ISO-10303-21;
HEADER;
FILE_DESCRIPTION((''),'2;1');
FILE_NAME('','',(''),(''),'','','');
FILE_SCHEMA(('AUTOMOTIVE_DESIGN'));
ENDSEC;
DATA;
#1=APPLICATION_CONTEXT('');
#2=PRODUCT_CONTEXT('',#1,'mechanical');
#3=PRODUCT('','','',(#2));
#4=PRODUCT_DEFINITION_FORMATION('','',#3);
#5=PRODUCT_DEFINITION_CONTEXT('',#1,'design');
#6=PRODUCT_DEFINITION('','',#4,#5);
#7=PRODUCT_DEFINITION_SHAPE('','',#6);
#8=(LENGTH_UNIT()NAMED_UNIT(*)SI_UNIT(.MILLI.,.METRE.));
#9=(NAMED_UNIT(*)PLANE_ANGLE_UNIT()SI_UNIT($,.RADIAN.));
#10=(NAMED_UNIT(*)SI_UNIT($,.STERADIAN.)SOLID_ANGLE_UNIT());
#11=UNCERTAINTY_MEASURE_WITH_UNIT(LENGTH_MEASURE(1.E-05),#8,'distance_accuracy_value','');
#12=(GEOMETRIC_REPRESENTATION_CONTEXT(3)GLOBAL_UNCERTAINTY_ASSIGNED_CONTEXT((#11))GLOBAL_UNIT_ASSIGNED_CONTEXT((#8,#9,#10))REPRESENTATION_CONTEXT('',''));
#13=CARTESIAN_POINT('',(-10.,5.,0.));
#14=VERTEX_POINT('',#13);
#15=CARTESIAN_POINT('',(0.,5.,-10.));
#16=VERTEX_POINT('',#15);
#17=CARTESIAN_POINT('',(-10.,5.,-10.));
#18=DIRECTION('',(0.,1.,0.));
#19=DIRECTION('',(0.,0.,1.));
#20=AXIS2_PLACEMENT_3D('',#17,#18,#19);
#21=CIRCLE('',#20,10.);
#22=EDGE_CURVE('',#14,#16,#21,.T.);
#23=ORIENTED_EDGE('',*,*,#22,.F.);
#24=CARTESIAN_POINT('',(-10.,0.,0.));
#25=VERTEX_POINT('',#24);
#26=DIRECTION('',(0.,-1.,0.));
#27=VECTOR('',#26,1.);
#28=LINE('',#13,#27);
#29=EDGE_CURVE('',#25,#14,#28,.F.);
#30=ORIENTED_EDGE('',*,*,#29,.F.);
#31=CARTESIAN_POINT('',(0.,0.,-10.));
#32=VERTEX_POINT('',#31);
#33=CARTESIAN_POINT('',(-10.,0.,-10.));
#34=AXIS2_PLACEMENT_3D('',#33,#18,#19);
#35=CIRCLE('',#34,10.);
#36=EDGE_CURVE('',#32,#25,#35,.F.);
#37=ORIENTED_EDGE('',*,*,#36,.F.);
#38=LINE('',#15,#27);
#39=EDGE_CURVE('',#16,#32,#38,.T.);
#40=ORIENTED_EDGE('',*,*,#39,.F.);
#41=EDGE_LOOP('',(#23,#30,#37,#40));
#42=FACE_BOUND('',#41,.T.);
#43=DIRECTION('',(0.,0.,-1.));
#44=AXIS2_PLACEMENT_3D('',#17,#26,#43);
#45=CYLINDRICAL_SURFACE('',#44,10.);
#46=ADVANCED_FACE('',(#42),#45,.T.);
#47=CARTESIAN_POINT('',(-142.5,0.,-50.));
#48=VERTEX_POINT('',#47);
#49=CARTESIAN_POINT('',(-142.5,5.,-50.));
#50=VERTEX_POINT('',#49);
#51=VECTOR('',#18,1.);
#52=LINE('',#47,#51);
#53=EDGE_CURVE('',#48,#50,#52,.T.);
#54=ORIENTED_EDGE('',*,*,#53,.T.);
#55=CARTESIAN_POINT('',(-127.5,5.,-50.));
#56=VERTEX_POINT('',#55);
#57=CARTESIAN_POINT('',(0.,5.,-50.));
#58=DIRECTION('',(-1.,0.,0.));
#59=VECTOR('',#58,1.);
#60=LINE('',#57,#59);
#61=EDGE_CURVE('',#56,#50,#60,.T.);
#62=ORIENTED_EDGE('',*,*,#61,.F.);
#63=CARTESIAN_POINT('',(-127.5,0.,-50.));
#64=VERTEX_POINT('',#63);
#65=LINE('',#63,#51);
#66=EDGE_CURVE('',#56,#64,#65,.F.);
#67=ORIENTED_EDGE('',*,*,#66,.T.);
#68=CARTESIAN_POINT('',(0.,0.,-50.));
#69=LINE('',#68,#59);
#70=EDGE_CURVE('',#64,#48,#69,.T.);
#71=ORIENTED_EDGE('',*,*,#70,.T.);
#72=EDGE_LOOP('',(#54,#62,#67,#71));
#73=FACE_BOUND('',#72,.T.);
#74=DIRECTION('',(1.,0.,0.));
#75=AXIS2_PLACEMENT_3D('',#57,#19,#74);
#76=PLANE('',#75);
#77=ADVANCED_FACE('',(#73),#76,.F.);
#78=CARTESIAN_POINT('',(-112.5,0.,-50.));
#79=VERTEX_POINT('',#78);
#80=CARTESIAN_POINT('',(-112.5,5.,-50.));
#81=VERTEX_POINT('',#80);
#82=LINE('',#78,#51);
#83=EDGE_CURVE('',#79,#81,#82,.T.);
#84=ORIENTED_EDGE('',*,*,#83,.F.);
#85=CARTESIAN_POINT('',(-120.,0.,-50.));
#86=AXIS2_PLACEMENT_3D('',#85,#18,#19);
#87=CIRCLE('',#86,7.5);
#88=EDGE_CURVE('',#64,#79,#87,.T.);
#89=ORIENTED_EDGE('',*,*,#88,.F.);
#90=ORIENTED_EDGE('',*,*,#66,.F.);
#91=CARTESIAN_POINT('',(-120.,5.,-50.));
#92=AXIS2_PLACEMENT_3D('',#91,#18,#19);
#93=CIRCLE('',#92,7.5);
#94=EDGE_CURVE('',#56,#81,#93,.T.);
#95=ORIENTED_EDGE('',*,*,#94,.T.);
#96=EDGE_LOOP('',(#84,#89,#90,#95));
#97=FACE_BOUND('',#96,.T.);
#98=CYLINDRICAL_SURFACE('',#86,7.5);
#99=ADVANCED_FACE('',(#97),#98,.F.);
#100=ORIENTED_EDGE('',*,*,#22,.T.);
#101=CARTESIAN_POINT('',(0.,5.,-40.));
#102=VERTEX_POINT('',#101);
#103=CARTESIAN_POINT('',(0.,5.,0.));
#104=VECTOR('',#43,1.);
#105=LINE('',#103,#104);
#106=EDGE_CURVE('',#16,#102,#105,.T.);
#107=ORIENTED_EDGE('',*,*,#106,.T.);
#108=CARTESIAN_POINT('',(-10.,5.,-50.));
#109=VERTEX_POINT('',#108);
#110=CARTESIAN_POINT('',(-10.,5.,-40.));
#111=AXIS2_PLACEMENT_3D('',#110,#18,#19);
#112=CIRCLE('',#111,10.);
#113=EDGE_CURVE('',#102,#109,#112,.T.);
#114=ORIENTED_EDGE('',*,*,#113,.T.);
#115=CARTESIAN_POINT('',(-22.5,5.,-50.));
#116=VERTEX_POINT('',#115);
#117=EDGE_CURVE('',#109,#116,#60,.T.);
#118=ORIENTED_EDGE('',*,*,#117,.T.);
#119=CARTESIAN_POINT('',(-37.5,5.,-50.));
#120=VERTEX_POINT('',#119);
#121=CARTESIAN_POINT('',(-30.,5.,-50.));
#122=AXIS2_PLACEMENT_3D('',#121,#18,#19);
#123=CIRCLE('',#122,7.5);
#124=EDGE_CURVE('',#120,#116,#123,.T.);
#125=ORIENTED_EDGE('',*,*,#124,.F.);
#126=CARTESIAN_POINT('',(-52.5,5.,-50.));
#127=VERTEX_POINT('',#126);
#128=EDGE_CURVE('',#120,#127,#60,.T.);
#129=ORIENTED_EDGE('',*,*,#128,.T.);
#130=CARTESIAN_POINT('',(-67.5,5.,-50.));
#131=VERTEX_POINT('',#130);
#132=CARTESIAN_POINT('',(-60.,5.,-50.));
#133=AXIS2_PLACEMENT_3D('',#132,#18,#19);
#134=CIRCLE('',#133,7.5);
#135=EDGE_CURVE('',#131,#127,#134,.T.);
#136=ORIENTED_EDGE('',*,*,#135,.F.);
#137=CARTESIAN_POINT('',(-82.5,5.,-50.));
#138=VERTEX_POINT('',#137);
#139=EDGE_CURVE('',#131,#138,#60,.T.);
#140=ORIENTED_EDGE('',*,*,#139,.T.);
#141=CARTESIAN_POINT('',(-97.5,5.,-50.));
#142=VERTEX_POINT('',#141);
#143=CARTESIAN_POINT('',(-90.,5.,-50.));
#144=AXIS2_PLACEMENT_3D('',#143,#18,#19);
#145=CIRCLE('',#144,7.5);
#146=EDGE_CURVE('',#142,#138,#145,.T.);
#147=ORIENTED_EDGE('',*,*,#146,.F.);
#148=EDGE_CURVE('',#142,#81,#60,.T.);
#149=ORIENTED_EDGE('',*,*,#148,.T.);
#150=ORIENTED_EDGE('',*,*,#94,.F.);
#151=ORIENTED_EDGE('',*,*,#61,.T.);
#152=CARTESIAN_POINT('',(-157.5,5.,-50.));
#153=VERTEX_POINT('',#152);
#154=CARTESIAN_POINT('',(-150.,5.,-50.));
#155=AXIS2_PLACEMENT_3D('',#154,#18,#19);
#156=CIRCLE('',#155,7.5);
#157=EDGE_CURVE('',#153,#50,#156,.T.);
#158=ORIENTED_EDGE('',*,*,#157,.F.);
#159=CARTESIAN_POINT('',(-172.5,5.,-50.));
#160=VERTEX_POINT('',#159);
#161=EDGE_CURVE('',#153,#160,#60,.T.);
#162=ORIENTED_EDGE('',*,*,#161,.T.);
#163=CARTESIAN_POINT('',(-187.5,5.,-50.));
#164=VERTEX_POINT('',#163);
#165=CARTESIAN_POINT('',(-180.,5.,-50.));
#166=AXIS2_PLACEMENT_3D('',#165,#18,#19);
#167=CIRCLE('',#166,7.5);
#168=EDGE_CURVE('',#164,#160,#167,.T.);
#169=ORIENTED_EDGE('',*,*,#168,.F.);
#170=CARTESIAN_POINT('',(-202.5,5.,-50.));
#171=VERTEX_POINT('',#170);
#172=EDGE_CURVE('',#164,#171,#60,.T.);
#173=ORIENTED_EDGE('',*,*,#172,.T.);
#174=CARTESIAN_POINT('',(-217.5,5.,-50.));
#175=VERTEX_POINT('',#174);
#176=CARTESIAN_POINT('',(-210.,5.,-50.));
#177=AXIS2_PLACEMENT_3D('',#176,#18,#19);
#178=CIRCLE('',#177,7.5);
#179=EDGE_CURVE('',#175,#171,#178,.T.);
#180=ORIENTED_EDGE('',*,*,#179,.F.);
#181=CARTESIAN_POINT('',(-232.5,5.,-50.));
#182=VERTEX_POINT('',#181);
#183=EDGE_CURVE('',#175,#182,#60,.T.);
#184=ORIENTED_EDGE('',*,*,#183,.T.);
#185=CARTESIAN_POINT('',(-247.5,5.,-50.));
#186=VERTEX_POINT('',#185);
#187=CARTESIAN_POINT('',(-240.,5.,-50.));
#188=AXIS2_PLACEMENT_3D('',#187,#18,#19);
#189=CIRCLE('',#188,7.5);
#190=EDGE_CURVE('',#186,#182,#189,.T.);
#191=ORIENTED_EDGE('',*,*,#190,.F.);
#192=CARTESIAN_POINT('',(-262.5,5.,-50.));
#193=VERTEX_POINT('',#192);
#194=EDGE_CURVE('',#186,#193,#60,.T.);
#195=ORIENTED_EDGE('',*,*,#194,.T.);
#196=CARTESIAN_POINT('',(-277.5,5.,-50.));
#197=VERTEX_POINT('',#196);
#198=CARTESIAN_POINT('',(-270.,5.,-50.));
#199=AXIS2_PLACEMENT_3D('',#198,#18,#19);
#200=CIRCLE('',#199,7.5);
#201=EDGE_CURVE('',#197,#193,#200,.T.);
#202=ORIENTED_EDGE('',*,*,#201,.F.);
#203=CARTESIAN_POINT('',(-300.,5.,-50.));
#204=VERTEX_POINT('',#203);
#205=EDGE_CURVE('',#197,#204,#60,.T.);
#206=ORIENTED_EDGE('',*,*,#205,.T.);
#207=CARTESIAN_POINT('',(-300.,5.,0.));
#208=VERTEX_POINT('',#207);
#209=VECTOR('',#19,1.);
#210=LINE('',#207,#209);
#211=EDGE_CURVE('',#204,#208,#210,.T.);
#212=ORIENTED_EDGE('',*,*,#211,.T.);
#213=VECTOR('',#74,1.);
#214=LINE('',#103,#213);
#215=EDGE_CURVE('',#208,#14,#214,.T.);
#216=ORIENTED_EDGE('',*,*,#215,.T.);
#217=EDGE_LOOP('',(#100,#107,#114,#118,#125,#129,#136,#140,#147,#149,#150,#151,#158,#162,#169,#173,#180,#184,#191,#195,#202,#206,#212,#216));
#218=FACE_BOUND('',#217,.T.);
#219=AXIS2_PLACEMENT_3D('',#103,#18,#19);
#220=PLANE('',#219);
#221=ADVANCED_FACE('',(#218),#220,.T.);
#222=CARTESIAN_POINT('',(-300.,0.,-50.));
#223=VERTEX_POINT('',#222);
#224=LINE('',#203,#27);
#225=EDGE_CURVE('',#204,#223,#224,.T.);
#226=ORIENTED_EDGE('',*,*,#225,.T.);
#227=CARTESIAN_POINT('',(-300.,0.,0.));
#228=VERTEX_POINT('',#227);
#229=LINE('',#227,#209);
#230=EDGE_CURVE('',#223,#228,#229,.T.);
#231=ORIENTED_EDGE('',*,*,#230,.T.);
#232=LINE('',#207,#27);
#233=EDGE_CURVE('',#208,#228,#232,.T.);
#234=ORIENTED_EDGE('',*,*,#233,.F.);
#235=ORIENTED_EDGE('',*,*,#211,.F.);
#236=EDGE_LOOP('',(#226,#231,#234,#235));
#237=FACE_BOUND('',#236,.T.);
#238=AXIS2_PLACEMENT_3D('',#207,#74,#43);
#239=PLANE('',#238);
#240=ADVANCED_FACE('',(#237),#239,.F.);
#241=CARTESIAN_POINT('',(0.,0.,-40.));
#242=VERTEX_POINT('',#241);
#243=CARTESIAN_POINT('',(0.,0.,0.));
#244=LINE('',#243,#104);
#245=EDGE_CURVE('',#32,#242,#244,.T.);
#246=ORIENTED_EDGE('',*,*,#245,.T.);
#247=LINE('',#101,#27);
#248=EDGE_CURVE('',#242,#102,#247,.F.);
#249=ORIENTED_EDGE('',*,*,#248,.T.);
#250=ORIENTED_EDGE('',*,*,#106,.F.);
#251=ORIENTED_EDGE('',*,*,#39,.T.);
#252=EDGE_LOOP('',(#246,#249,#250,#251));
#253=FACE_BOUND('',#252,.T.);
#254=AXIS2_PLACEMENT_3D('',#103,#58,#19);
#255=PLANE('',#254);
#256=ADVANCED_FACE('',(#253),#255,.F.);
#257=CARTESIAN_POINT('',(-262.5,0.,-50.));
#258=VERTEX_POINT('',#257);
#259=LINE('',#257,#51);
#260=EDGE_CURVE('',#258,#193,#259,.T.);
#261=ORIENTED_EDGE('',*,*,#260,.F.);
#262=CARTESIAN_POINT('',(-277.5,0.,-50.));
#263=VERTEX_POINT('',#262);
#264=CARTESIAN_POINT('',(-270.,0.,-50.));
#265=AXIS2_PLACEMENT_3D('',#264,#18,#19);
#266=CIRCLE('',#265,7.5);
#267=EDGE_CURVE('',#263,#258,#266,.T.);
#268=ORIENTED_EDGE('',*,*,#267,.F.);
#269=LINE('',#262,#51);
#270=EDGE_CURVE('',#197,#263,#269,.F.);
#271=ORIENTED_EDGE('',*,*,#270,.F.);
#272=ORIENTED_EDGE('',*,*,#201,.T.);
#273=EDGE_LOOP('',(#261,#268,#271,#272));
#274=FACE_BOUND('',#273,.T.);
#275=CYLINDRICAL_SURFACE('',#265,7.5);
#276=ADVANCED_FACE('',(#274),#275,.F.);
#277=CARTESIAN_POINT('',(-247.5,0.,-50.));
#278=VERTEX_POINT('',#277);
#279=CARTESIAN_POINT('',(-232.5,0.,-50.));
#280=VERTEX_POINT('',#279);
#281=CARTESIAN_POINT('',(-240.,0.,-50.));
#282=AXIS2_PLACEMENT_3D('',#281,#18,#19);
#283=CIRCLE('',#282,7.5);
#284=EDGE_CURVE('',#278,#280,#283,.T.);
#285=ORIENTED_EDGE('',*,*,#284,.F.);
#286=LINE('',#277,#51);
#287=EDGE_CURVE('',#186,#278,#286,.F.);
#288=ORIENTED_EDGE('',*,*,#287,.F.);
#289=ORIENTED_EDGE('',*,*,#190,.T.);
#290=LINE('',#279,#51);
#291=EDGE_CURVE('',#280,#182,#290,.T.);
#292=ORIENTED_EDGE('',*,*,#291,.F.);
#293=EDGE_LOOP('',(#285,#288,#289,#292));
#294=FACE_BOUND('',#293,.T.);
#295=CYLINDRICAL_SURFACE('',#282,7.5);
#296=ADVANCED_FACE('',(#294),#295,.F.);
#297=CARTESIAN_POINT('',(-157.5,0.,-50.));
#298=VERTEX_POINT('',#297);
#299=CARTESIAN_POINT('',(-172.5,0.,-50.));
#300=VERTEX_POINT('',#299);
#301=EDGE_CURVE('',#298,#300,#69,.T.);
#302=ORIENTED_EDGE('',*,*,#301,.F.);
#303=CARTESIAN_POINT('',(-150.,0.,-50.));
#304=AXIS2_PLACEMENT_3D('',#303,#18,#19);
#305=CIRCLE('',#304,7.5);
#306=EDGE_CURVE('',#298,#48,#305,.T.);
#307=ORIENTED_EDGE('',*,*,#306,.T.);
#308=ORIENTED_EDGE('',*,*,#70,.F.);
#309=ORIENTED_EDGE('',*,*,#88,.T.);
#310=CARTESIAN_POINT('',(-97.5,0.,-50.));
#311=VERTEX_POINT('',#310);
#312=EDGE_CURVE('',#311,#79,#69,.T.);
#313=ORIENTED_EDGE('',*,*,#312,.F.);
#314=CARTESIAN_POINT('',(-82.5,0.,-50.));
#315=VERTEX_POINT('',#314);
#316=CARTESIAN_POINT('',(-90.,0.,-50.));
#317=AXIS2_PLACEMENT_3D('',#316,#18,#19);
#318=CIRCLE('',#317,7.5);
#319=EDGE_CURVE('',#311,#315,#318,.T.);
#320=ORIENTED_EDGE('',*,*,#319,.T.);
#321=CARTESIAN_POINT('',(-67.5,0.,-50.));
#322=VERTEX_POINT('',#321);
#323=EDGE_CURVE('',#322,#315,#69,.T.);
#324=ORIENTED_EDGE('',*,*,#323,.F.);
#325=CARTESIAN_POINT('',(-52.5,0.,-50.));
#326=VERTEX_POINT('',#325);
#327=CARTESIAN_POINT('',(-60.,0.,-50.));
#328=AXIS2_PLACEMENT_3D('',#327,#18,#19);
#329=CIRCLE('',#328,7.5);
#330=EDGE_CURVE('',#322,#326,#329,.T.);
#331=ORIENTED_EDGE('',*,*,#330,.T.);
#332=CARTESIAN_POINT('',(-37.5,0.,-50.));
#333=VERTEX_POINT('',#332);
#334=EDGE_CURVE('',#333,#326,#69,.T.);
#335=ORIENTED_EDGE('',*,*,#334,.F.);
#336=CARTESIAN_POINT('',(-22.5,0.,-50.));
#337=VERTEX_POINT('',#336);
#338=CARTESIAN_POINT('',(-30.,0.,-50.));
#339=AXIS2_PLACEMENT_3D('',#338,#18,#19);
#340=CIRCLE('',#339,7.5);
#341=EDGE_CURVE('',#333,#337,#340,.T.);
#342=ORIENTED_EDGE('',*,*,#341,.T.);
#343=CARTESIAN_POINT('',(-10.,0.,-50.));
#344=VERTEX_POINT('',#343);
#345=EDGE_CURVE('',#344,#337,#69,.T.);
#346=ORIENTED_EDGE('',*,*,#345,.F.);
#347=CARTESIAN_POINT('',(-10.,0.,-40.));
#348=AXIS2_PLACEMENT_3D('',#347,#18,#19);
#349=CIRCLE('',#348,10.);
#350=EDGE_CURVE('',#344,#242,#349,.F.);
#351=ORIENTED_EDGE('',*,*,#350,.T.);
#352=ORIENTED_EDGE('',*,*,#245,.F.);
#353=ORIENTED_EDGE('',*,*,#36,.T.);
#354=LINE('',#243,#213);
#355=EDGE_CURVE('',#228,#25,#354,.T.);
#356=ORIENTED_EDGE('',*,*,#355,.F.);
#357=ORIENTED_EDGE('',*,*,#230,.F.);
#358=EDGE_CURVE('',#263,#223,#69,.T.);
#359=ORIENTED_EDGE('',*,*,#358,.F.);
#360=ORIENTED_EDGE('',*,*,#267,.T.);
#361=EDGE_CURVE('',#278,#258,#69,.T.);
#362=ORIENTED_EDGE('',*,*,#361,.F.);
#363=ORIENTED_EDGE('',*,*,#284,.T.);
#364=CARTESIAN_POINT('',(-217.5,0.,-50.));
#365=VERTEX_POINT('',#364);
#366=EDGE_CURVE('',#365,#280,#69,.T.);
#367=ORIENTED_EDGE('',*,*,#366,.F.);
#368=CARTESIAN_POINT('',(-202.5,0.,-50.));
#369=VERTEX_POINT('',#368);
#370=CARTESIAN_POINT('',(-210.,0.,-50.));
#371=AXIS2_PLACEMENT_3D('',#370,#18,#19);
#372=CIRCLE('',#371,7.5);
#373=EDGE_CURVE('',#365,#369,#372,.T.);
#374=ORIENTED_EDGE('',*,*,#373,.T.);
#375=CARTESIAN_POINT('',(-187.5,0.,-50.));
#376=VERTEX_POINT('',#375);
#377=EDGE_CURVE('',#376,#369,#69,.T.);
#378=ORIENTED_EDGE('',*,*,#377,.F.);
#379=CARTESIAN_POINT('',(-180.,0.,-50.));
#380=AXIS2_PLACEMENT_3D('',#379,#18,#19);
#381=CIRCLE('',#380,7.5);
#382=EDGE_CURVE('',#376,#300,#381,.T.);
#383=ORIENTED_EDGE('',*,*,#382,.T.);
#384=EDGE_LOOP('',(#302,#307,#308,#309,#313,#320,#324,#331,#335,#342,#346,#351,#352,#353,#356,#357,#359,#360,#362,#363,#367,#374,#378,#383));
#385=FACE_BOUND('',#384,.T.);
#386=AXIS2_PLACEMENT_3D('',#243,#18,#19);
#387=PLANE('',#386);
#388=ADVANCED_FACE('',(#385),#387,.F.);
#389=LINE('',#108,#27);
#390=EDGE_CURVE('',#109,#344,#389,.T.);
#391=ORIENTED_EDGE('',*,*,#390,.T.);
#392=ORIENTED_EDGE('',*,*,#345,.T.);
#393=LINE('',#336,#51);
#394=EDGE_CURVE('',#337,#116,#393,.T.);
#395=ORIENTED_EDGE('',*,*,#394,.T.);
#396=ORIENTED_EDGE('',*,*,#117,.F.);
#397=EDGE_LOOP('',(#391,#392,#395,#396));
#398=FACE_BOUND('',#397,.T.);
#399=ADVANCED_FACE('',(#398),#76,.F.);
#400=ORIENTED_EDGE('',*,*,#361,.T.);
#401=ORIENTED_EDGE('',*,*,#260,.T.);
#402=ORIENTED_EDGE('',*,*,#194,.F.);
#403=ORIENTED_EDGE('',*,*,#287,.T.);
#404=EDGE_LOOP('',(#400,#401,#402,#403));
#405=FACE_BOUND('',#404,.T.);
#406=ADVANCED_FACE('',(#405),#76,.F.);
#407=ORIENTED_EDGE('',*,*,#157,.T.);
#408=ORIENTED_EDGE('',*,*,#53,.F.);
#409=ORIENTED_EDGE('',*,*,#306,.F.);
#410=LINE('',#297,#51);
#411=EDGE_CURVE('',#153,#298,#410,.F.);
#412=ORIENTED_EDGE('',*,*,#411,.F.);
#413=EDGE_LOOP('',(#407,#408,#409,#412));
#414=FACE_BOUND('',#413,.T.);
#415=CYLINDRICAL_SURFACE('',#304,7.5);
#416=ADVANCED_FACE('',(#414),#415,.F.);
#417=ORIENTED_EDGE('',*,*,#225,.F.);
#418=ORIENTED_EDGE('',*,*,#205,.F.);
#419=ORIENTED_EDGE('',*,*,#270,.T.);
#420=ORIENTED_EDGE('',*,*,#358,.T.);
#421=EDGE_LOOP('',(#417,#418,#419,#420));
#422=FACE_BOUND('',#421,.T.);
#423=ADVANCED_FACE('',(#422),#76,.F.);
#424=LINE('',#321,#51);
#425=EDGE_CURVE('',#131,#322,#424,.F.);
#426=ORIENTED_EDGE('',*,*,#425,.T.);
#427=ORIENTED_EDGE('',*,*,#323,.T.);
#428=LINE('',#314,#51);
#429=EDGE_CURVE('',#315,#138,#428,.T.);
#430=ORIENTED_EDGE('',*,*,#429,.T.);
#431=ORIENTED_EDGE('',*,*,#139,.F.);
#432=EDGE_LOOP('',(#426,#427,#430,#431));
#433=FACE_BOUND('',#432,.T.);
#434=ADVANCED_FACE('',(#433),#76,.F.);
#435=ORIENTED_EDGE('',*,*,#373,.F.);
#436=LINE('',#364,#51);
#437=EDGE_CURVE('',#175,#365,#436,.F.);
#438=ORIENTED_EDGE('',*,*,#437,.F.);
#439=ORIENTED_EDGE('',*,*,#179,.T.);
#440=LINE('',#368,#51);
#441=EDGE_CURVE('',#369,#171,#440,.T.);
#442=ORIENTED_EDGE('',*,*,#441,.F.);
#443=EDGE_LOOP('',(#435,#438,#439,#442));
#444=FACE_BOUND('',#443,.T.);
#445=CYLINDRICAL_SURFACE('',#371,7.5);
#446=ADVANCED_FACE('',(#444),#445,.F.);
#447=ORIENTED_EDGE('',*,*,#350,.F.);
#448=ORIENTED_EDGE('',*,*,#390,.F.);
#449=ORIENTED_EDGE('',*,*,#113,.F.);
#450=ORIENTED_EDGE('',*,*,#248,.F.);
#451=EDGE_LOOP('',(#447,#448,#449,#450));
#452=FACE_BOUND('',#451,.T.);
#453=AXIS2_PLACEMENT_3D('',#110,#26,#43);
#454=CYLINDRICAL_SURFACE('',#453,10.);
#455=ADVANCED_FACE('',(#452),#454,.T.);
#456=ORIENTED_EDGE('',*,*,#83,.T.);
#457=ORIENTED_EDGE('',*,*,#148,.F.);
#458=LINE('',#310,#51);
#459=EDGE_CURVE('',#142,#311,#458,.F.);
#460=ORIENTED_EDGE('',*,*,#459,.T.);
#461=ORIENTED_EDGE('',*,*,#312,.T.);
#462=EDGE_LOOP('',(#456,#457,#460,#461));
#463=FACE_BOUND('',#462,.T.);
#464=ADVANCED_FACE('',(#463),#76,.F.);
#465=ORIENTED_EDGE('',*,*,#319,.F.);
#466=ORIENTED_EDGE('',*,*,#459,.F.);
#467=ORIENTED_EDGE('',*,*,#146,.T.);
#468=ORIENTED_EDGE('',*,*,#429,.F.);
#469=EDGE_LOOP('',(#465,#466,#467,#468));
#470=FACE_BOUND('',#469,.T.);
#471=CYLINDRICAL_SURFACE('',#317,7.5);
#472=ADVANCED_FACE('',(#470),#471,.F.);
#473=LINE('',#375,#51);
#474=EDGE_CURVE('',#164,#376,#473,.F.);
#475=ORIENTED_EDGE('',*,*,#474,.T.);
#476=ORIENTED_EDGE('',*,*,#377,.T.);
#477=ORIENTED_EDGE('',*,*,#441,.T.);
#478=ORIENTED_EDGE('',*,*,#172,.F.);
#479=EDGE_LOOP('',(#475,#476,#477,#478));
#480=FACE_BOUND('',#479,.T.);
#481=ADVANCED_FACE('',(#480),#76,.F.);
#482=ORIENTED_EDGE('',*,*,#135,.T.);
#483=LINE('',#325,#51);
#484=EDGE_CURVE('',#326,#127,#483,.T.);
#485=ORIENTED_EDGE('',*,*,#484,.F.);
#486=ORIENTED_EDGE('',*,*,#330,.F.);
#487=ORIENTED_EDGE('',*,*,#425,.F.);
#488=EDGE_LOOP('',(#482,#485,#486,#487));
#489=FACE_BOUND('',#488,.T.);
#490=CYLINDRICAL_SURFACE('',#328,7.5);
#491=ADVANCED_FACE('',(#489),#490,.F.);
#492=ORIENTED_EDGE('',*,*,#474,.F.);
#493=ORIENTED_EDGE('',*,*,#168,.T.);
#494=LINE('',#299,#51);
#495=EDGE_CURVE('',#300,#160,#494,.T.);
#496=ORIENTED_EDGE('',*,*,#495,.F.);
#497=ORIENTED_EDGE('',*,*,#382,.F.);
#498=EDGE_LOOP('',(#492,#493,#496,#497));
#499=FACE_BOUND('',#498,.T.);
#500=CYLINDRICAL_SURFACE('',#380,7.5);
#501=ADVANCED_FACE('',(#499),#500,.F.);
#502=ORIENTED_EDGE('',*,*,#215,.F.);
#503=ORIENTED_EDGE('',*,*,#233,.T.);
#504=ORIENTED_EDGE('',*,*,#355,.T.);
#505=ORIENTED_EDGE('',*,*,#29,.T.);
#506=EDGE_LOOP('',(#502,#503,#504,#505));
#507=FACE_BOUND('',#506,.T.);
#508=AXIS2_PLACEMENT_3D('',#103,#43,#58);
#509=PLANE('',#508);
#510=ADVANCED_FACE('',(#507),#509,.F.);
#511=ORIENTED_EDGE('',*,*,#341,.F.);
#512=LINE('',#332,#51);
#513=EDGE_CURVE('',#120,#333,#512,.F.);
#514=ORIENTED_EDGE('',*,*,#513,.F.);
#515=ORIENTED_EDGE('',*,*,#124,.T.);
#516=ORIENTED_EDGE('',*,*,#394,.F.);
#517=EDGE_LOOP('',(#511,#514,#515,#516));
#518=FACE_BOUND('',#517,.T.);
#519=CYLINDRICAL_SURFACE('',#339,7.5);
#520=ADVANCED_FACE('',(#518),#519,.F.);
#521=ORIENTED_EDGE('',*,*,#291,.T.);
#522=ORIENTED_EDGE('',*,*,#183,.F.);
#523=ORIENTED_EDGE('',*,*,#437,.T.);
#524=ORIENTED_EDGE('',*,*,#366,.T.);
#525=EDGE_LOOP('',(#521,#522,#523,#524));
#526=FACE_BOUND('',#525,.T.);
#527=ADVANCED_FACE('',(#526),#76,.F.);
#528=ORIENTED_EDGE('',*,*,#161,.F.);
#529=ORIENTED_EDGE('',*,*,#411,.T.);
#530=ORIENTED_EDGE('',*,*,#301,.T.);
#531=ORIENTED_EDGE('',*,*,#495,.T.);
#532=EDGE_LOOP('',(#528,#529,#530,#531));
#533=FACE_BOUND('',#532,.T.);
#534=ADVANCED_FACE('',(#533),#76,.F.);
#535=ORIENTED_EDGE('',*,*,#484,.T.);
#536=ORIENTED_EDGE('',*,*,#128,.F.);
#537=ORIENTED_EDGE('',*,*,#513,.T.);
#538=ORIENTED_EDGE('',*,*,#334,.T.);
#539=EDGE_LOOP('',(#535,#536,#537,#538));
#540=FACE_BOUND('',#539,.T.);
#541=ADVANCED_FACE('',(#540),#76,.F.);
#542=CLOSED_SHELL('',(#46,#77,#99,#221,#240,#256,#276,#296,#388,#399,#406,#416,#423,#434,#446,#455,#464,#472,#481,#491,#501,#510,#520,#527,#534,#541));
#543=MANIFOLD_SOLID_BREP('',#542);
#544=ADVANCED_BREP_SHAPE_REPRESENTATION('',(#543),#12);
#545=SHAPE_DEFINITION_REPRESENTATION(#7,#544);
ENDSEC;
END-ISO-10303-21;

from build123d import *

# Parameters (mm, degrees)
SKETCH1_W           = 300
SKETCH1_H           = 50
BOSS_EXTRUDE1_DEPTH = 5
SKETCH2_R           = 7.5
CUT_EXTRUDE1_DEPTH  = 5
LPATTERN1_COUNT     = 9
LPATTERN1_PITCH     = 30
FILLET2_R           = 10


with BuildPart() as part:
    # Sketch1 → Boss-Extrude1 (new body)
    with BuildSketch(Plane(origin=(0, 0, 0), x_dir=(1, 0, 0), z_dir=(0, 1, 0))):
        with Locations((-150, 25)):
            Rectangle(SKETCH1_W, SKETCH1_H)
    extrude(amount=BOSS_EXTRUDE1_DEPTH)

    # Sketch2 → Cut-Extrude1 (cut)
    with BuildSketch(Plane(origin=(0, 5, 0), x_dir=(1, 0, 0), z_dir=(0, 1, 0))):
        with Locations((-270, 50)):
            Circle(SKETCH2_R)
    cut_extrude1 = extrude(amount=-CUT_EXTRUDE1_DEPTH, mode=Mode.SUBTRACT)

    # LPattern1: Cut-Extrude1 ×9
    with Locations(*[(i * LPATTERN1_PITCH, 0, 0) for i in range(1, LPATTERN1_COUNT)]):
        add(cut_extrude1, mode=Mode.SUBTRACT)

    # Fillet2
    fillet2_edges = [part.edges().sort_by_distance(p)[0] for p in [
        (0, 2.5, 0),
        (0, 2.5, -50),
    ]]
    fillet(fillet2_edges, radius=FILLET2_R)


solid = part.part
